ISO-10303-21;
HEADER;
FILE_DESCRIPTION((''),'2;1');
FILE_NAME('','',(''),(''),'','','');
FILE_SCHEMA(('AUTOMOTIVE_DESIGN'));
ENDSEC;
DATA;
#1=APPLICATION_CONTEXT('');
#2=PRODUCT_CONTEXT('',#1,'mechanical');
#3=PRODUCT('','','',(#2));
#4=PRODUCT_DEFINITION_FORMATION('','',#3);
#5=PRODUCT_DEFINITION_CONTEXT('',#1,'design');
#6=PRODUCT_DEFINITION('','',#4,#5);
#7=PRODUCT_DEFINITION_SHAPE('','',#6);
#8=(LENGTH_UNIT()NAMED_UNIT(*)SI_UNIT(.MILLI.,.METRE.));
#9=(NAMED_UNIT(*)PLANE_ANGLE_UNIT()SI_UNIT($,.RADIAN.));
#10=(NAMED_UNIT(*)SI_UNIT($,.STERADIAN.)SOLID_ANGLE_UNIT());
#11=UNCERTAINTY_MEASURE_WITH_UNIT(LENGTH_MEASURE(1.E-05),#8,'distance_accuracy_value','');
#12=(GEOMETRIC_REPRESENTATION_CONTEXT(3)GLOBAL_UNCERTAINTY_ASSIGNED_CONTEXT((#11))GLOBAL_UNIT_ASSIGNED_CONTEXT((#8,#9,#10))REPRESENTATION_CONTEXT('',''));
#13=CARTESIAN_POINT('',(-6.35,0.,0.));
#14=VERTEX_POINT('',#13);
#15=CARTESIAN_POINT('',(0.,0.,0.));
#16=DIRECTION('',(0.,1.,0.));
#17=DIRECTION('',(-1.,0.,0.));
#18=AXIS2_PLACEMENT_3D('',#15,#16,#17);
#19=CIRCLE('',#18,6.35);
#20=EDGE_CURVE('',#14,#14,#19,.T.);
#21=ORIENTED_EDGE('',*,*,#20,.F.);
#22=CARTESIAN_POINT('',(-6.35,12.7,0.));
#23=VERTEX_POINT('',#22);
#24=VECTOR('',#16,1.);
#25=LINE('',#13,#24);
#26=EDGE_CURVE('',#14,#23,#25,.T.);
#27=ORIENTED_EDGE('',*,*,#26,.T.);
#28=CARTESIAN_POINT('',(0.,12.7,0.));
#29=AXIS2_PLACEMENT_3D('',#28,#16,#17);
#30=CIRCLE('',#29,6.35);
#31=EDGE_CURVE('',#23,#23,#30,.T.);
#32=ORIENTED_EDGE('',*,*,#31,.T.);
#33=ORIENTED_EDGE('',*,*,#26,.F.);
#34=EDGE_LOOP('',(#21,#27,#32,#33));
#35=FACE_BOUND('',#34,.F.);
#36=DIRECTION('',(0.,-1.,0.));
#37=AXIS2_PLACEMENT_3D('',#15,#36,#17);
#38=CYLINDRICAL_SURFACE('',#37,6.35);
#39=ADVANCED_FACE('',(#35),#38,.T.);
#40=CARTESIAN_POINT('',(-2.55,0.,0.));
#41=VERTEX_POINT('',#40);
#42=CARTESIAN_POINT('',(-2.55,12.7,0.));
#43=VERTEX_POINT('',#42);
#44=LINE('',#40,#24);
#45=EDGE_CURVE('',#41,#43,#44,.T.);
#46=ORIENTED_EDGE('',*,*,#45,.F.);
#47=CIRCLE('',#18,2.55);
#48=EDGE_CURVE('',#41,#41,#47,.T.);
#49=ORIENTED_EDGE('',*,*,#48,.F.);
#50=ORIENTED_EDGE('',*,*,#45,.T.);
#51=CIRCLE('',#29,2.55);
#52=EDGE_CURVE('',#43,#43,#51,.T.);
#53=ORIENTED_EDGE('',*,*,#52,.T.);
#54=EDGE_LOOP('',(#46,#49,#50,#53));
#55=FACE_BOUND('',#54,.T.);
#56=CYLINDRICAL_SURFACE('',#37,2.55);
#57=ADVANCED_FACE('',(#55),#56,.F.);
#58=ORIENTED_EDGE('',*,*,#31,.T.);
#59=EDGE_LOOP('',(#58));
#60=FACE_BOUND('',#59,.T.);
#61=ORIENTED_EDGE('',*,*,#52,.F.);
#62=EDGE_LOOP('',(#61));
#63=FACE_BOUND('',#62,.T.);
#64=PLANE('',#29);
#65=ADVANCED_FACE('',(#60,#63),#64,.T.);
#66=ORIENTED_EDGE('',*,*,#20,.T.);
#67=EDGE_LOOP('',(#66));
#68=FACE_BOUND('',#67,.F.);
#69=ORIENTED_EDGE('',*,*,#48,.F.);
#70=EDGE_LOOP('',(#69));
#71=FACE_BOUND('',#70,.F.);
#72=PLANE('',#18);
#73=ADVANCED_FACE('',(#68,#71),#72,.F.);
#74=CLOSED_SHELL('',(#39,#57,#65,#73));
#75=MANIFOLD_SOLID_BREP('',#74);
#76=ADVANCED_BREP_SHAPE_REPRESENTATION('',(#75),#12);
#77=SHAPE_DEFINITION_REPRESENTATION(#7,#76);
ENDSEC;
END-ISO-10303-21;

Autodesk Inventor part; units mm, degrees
ref_plane "YZ Plane" through (0, 0, 0) normal (1, 0, 0) x (0, 1, 0)
ref_plane "XZ Plane" through (0, 0, 0) normal (0, 1, 0) x (-1, 0, 0)
ref_plane "XY Plane" through (0, 0, 0) normal (0, 0, 1) x (1, 0, 0)
sketch "Sketch1" plane through (0, 0, 0) normal (0, 1, 0) x (-1, 0, 0)
  circle A0 centre (0, 0) radius 2.55
  circle A1 centre (0, 0) radius 6.35
  dimension "d0" = 5.1
  dimension "d1" = 12.7
extrude "Extrusion1" add sketch "Sketch1" along normal blind 12.7
properties part number "grapple-spacer-hardstop" material "ABS Plastic"
